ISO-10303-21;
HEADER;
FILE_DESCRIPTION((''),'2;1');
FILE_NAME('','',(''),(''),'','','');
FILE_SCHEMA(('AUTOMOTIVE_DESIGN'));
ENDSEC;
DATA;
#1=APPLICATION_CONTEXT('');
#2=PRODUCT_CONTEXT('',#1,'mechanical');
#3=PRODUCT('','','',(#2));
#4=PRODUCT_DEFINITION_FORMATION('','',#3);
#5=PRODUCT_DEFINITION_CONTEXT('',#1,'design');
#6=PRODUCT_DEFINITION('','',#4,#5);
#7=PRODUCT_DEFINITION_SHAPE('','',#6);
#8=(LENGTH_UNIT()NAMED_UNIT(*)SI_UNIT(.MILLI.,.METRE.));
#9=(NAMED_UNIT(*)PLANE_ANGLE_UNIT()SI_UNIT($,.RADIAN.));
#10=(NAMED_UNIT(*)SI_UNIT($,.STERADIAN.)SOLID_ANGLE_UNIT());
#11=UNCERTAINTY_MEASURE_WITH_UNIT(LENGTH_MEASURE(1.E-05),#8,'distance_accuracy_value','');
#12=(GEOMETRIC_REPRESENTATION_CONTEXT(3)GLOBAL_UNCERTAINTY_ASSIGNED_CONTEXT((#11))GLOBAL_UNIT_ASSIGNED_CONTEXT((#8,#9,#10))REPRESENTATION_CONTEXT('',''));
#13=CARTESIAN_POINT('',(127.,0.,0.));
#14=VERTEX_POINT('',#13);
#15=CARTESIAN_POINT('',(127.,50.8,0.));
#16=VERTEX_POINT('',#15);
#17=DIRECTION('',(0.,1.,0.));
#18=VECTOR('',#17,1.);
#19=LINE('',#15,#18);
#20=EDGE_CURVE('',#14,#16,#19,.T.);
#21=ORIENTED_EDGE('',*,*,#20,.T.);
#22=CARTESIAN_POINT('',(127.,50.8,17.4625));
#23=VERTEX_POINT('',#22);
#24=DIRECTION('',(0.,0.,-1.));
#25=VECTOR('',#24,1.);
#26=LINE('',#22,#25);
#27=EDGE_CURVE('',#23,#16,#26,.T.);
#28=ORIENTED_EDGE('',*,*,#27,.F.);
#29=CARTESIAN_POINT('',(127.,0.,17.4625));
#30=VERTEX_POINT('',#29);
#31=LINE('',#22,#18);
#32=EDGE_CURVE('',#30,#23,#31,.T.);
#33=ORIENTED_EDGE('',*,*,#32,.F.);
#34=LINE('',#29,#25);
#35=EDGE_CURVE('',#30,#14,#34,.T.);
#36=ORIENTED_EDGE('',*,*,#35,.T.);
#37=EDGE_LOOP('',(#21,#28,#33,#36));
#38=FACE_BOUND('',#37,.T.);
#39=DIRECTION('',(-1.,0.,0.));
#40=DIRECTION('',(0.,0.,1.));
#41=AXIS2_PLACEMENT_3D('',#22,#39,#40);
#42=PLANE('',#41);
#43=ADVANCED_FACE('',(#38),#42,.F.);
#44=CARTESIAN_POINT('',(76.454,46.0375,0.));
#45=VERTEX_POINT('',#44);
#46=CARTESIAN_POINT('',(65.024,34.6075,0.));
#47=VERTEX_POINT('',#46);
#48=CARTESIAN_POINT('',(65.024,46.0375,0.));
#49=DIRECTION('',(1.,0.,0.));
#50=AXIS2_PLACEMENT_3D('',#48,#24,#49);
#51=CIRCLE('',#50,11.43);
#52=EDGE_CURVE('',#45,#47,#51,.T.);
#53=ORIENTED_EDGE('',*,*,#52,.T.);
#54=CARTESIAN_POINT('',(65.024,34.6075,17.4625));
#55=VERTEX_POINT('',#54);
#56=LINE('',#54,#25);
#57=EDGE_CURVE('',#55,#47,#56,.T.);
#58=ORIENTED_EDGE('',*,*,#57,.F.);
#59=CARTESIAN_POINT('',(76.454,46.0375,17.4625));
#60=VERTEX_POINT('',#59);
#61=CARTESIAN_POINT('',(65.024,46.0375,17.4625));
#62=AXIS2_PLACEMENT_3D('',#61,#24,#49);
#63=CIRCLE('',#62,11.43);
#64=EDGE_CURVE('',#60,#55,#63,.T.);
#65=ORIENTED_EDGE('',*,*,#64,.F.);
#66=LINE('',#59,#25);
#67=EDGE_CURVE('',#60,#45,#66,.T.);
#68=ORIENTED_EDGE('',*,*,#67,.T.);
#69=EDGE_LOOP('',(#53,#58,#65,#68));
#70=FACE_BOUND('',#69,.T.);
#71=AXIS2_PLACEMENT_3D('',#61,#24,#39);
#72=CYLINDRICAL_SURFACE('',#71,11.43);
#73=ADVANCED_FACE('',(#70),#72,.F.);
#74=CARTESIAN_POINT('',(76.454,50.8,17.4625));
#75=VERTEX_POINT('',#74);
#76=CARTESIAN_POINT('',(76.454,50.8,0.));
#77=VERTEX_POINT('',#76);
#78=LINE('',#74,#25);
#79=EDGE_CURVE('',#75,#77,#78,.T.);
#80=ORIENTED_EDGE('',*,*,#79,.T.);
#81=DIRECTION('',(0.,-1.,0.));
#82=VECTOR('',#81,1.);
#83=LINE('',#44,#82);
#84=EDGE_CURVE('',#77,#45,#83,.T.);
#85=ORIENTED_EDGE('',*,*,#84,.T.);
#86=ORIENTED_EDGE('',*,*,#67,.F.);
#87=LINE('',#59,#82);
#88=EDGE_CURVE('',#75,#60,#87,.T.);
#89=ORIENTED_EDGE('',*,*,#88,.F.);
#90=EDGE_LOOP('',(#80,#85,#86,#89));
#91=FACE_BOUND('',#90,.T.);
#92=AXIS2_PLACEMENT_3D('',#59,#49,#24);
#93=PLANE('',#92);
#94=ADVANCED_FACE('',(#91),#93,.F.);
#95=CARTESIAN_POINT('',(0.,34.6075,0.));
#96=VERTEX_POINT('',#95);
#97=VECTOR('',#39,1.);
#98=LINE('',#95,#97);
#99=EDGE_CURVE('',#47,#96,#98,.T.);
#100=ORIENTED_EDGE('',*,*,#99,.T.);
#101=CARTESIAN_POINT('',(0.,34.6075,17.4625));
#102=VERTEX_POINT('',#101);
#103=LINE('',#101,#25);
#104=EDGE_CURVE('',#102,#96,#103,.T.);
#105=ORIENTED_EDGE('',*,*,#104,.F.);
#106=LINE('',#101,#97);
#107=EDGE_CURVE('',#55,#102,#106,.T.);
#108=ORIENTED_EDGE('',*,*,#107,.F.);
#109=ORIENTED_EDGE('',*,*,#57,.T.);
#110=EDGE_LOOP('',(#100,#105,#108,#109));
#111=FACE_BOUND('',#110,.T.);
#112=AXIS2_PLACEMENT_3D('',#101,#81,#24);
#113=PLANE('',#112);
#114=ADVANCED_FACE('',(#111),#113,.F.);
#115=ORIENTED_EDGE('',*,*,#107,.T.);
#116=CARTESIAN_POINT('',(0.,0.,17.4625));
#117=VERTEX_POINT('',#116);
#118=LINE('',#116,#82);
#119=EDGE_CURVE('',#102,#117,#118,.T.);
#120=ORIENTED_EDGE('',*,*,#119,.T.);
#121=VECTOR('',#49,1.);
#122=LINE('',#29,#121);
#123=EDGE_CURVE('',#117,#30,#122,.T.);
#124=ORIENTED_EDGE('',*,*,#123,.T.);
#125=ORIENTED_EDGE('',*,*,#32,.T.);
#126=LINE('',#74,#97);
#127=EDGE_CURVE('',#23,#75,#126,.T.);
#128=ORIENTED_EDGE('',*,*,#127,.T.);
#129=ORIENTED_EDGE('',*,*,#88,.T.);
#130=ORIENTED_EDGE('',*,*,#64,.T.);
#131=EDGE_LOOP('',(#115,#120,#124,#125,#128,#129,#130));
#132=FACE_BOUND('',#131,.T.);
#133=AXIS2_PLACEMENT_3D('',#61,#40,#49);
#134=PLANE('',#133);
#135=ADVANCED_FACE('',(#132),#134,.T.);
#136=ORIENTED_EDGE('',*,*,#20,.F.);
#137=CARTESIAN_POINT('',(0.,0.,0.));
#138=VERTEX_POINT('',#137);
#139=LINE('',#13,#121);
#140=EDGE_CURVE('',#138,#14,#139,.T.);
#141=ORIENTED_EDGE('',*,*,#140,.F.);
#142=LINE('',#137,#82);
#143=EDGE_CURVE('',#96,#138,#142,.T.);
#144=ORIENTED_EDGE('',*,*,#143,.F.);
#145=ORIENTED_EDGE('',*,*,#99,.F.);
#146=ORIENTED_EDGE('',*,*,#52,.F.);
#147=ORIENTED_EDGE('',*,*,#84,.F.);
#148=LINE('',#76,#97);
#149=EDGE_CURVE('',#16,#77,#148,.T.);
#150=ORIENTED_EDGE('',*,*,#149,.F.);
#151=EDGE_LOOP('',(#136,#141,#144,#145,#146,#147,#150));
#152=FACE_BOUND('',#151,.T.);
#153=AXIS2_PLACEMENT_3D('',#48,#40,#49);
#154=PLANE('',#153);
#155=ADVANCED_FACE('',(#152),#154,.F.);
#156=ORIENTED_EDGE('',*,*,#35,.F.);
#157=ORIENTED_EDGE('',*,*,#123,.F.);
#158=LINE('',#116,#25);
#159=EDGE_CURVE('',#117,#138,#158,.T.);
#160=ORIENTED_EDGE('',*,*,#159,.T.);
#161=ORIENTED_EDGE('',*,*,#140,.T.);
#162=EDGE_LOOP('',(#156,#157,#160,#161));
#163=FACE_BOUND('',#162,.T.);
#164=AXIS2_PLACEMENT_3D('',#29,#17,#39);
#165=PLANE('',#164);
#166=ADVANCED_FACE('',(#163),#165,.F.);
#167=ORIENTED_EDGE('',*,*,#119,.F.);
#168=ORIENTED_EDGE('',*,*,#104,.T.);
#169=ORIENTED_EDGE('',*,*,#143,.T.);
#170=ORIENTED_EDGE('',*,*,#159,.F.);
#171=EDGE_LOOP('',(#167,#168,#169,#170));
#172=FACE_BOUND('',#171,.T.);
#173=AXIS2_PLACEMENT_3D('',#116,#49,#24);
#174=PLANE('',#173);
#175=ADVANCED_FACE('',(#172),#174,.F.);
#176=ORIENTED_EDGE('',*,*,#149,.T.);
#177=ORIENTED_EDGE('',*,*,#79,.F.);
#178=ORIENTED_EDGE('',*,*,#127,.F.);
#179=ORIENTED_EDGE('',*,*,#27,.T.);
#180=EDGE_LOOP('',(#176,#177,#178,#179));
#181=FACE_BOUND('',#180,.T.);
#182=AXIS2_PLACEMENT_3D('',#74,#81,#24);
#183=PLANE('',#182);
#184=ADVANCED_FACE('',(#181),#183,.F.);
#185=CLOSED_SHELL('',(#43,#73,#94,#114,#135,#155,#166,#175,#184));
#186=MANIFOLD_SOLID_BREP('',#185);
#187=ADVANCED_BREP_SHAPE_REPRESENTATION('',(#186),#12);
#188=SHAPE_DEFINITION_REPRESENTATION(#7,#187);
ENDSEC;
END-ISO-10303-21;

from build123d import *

# Parameters (mm, degrees)
BOSS_EXTRUDE2_DEPTH = 17.4625


with BuildPart() as part:
    # Sketch1 → Boss-Extrude2 (new body)
    with BuildSketch(Plane.XY):
        with BuildLine():
            Line((0, 0), (0, 34.6075))
            Line((0, 34.6075), (65.024, 34.6075))
            ThreePointArc((65.024, 34.6075), (73.106230509, 37.955269491), (76.454, 46.0375))
            Line((76.454, 46.0375), (76.454, 50.8))
            Line((76.454, 50.8), (127, 50.8))
            Line((127, 50.8), (127, 0))
            Line((127, 0), (0, 0))
        make_face()
    extrude(amount=BOSS_EXTRUDE2_DEPTH)


solid = part.part
